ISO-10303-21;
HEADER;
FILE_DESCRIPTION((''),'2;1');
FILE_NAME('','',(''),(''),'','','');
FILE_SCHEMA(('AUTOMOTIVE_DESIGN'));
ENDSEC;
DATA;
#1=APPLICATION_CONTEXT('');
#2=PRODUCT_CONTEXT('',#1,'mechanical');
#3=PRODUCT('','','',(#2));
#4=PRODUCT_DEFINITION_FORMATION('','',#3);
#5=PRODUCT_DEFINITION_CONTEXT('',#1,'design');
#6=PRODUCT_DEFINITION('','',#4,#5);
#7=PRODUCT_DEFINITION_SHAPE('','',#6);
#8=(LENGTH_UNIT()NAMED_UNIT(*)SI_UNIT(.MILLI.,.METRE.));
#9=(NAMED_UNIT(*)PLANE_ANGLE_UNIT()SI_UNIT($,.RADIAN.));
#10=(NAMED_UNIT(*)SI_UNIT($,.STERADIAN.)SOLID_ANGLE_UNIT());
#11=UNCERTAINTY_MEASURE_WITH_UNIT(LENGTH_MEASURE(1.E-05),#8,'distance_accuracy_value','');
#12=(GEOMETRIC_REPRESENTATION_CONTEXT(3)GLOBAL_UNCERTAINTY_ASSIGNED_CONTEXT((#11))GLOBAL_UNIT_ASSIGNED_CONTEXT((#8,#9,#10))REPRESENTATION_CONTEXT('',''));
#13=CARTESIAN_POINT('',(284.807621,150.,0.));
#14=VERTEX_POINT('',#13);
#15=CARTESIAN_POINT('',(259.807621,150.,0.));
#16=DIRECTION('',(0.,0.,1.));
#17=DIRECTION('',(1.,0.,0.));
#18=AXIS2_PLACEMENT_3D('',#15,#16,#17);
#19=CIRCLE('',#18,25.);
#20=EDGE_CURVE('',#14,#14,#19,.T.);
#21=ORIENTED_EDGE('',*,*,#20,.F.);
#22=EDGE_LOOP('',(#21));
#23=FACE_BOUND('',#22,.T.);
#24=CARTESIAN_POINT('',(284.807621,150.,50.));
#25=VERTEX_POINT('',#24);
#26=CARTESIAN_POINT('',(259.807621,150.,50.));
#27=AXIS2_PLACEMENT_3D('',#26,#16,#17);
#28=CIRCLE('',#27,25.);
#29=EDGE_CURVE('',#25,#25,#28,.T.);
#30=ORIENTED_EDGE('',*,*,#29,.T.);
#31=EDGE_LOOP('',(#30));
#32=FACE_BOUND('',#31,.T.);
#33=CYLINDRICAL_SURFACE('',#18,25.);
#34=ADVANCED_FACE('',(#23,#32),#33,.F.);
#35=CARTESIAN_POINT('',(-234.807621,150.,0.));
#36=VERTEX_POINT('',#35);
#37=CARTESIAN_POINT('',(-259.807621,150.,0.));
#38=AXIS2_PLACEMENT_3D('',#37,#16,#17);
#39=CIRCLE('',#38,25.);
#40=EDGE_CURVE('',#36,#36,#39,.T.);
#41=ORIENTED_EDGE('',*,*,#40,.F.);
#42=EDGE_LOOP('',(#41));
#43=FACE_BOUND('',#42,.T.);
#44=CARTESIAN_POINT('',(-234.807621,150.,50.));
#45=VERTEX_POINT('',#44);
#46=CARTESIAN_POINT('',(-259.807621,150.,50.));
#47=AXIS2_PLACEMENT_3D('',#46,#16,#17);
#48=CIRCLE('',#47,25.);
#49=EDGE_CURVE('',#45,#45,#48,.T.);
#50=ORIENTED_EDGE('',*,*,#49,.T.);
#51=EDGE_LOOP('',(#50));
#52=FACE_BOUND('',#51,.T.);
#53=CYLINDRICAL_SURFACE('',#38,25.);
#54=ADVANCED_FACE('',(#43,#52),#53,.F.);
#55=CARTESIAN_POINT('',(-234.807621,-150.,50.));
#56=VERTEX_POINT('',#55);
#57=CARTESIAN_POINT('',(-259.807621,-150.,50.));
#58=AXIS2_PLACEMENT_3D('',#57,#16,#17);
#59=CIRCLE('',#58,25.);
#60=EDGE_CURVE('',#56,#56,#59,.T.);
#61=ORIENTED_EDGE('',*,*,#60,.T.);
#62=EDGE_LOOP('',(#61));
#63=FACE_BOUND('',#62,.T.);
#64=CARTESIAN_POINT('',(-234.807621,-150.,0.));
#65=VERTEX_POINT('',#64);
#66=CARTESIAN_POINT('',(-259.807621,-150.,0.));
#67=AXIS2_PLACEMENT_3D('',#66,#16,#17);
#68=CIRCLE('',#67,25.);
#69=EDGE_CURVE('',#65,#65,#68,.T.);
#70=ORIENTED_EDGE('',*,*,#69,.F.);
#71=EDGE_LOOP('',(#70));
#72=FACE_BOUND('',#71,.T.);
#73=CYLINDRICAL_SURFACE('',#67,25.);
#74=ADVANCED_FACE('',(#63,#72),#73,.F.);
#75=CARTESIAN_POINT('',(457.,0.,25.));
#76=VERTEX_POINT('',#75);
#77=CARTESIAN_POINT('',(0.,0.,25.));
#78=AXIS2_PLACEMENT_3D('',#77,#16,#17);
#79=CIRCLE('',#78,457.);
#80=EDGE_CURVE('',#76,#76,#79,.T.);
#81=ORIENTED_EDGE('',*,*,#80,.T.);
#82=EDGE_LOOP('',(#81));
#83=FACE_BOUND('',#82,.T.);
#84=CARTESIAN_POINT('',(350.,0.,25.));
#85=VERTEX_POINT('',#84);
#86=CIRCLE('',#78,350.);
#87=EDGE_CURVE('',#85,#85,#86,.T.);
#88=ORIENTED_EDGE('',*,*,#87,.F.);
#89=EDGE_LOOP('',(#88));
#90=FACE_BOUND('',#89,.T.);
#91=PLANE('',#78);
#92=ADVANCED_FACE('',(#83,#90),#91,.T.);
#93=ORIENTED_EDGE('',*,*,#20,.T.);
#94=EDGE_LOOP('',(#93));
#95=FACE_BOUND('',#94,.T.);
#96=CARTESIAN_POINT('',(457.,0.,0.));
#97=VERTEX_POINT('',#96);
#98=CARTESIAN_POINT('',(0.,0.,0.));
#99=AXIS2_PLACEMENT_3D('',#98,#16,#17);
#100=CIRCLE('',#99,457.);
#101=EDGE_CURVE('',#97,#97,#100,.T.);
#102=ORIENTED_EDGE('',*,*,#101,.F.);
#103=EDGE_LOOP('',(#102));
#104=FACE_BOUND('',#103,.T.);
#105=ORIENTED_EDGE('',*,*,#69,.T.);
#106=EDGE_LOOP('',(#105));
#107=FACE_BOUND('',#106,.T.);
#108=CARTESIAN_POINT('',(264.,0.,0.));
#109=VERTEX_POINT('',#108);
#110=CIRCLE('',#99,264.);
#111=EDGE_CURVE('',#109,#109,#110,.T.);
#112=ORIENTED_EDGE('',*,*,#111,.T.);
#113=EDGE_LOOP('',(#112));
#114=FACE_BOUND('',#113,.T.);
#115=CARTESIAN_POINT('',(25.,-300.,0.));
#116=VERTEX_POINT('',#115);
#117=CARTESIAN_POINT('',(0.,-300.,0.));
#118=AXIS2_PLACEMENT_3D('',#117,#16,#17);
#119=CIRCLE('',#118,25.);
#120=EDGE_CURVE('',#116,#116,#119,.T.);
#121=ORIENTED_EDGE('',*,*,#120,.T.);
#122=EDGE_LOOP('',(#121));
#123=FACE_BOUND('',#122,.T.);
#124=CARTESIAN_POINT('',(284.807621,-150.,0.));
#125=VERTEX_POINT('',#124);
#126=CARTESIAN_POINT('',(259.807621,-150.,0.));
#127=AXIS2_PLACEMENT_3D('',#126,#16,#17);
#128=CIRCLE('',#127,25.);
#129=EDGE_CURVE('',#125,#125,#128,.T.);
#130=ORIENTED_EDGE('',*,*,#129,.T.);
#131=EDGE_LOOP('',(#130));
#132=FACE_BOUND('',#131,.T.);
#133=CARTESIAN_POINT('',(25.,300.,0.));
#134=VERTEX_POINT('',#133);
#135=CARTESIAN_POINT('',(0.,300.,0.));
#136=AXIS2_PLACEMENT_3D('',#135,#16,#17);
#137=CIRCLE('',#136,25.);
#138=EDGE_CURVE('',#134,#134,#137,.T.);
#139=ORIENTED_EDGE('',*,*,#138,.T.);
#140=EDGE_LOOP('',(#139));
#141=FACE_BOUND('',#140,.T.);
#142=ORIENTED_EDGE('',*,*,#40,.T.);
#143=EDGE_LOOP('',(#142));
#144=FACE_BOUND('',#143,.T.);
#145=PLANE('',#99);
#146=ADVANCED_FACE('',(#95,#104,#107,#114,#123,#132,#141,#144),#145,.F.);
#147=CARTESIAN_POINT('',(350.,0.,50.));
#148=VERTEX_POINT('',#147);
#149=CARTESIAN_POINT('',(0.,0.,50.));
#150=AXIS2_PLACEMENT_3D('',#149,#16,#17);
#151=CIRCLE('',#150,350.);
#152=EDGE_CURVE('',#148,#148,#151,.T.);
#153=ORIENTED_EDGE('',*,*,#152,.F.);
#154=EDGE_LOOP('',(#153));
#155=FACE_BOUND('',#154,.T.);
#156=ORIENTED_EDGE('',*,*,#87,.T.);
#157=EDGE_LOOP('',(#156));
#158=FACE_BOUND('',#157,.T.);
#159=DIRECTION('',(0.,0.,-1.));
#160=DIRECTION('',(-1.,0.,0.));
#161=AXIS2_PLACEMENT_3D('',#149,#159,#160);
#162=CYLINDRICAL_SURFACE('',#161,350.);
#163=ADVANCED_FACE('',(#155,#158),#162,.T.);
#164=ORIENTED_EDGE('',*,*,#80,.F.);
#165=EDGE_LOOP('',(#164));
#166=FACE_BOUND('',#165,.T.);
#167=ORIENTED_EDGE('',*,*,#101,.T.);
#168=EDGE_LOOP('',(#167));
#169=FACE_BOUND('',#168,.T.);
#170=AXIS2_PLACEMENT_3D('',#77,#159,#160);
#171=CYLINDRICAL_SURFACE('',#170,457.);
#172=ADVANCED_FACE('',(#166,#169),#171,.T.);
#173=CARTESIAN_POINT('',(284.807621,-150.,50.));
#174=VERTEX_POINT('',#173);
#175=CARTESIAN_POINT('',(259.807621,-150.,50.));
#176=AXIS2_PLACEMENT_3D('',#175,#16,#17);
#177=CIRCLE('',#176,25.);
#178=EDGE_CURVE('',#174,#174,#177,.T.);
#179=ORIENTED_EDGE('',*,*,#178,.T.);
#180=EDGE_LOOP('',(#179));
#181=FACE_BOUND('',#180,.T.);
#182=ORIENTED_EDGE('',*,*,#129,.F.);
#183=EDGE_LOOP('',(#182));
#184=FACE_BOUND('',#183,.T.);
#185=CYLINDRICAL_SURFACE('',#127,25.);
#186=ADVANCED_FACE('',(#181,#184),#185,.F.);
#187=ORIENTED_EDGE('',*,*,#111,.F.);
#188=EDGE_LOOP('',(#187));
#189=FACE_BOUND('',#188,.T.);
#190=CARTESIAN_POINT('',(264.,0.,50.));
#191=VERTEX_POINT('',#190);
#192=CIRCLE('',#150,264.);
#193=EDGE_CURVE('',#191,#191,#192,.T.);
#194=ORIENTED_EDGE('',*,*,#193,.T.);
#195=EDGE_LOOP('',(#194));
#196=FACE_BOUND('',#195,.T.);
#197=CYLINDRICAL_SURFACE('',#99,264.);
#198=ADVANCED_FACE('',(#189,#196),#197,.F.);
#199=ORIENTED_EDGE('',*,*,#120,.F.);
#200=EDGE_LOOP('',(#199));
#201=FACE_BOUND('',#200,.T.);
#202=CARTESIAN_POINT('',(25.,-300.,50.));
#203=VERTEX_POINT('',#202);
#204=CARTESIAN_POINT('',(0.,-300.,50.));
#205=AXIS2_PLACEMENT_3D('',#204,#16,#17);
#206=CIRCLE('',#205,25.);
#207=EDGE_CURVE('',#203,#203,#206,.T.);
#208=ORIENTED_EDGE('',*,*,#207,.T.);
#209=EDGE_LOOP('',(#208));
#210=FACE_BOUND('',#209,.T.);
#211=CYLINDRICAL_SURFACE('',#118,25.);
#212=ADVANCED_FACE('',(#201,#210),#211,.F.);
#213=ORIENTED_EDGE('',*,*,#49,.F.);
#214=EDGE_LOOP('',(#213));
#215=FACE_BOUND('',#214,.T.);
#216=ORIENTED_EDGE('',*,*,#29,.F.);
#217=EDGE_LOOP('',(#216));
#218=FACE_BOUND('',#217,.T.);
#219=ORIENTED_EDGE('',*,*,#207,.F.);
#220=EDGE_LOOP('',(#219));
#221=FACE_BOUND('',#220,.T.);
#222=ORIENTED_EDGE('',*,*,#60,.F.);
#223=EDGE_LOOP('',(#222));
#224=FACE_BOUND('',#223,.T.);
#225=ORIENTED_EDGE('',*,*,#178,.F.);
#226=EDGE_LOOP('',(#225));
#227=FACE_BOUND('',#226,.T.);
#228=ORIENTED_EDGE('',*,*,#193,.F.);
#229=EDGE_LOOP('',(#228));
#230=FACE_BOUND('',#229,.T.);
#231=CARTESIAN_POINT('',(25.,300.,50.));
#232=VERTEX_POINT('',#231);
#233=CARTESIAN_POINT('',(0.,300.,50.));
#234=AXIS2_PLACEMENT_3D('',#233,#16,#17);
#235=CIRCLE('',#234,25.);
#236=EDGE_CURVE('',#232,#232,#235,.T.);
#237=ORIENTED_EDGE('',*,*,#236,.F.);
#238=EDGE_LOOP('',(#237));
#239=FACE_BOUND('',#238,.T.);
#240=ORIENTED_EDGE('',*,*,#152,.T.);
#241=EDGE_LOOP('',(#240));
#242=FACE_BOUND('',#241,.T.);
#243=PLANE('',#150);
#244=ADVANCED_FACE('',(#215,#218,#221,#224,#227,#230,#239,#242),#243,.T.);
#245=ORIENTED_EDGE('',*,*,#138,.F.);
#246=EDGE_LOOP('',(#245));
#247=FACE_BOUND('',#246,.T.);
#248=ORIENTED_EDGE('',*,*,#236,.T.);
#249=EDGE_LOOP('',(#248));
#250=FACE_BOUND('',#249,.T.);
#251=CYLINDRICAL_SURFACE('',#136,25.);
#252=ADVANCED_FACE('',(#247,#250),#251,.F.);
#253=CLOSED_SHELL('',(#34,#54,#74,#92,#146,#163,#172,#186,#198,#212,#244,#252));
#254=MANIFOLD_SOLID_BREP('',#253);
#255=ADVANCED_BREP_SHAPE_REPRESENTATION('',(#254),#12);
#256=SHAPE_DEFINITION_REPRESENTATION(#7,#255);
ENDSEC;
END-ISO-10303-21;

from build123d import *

# Parameters (mm, degrees)
SKETCH1_R               = 457
BOSS_EXTRUDE1_DEPTH     = 25
SKETCH2_R               = 350
BOSS_EXTRUDE2_DEPTH     = 25
CUT_EXTRUDE3_DEPTH      = 649.226812158
CUT_EXTRUDE3_DEPTH_BACK = 649.226812158
SKETCH3_R               = 25
SKETCH3_R_2             = 264


with BuildPart() as part:
    # Sketch1 → Boss-Extrude1 (new body)
    with BuildSketch(Plane.XY):
        Circle(SKETCH1_R)
    extrude(amount=BOSS_EXTRUDE1_DEPTH)

    # Sketch2 → Boss-Extrude2 (add)
    with BuildSketch(Plane.XY.offset(25)):
        Circle(SKETCH2_R)
    extrude(amount=BOSS_EXTRUDE2_DEPTH)

    # Sketch3 → Cut-Extrude3 (cut, two sides: drawn at the far end of the back side and taken through both)
    with BuildSketch(Plane.XY.offset(50).offset(-CUT_EXTRUDE3_DEPTH_BACK)):
        with Locations((0, 300)):
            Circle(SKETCH3_R)
        with Locations((259.807621135, 150)):
            Circle(SKETCH3_R)
        with Locations((259.807621135, -150)):
            Circle(SKETCH3_R)
        with Locations((0, -300)):
            Circle(SKETCH3_R)
        with Locations((-259.807621135, -150)):
            Circle(SKETCH3_R)
        with Locations((-259.807621135, 150)):
            Circle(SKETCH3_R)
        Circle(SKETCH3_R_2)
    extrude(amount=CUT_EXTRUDE3_DEPTH + CUT_EXTRUDE3_DEPTH_BACK, mode=Mode.SUBTRACT)


solid = part.part
